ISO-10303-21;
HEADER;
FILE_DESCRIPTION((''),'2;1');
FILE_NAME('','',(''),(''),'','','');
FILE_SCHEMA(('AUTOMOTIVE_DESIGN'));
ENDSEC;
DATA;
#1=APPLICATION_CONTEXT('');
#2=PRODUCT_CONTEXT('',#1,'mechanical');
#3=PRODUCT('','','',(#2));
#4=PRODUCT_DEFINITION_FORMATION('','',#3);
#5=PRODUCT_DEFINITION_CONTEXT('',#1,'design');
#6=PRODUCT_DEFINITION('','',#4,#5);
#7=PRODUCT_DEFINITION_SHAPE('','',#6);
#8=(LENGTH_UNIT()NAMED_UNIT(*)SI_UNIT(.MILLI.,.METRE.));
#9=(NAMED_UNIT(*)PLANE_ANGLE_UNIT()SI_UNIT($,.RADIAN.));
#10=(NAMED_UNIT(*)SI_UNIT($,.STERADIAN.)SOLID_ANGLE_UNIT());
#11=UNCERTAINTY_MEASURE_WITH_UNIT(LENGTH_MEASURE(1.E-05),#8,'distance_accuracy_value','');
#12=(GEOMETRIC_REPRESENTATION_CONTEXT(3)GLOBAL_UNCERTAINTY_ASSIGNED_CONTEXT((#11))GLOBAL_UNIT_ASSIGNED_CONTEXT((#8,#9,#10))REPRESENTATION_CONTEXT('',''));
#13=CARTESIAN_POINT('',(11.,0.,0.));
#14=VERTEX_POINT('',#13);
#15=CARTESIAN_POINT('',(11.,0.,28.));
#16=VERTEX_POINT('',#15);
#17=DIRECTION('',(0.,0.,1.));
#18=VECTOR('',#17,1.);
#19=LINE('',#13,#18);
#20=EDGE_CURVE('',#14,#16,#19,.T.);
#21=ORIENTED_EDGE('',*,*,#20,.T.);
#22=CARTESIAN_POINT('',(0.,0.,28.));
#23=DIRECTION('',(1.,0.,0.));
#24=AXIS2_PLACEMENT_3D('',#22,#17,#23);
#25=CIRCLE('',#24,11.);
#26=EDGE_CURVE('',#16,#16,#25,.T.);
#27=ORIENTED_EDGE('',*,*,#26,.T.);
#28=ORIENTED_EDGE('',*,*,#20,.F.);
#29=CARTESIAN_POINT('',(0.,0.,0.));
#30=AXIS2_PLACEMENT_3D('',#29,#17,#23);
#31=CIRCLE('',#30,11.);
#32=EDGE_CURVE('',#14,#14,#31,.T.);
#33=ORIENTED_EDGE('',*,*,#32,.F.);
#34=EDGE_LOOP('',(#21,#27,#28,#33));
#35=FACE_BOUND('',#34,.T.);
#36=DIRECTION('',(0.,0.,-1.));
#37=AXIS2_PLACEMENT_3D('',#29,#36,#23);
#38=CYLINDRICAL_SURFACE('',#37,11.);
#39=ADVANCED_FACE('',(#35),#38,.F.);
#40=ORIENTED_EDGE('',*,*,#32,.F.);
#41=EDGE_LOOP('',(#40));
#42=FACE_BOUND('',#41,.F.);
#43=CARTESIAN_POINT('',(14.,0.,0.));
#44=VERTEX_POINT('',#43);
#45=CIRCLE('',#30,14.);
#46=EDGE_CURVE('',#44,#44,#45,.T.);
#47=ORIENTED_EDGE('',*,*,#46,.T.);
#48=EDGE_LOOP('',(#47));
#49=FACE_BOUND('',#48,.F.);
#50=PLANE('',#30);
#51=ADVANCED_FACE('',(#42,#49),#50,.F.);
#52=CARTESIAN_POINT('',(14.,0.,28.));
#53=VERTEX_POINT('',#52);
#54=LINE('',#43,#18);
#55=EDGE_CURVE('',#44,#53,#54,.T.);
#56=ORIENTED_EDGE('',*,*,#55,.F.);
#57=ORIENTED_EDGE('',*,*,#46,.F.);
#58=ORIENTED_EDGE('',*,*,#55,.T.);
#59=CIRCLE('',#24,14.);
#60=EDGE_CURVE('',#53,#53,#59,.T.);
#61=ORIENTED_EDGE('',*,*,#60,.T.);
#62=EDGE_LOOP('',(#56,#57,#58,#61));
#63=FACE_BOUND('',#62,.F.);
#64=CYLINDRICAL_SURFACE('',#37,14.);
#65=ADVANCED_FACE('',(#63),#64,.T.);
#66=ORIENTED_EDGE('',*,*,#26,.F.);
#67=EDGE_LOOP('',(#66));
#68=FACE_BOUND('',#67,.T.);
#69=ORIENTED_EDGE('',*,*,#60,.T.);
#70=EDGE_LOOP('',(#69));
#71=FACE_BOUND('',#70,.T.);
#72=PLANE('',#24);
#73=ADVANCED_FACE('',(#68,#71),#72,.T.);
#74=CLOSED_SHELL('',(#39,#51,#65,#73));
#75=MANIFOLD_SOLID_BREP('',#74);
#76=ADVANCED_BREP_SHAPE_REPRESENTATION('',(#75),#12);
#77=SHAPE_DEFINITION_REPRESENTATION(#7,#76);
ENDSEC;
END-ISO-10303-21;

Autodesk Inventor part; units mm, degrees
ref_plane "YZ Plane" through (0, 0, 0) normal (1, 0, 0) x (0, 1, 0)
ref_plane "XZ Plane" through (0, 0, 0) normal (0, 1, 0) x (-1, 0, 0)
ref_plane "XY Plane" through (0, 0, 0) normal (0, 0, 1) x (1, 0, 0)
sketch "Sketch1" plane through (0, 0, 0) normal (0, 0, 1) x (1, 0, 0)
  circle A0 centre (0, 0) radius 11
  circle A1 centre (0, 0) radius 14
  dimension "d0" = 22
  dimension "d1" = 28
extrude "Extrusion1" add sketch "Sketch1" along normal blind 28
properties part number "collar"
